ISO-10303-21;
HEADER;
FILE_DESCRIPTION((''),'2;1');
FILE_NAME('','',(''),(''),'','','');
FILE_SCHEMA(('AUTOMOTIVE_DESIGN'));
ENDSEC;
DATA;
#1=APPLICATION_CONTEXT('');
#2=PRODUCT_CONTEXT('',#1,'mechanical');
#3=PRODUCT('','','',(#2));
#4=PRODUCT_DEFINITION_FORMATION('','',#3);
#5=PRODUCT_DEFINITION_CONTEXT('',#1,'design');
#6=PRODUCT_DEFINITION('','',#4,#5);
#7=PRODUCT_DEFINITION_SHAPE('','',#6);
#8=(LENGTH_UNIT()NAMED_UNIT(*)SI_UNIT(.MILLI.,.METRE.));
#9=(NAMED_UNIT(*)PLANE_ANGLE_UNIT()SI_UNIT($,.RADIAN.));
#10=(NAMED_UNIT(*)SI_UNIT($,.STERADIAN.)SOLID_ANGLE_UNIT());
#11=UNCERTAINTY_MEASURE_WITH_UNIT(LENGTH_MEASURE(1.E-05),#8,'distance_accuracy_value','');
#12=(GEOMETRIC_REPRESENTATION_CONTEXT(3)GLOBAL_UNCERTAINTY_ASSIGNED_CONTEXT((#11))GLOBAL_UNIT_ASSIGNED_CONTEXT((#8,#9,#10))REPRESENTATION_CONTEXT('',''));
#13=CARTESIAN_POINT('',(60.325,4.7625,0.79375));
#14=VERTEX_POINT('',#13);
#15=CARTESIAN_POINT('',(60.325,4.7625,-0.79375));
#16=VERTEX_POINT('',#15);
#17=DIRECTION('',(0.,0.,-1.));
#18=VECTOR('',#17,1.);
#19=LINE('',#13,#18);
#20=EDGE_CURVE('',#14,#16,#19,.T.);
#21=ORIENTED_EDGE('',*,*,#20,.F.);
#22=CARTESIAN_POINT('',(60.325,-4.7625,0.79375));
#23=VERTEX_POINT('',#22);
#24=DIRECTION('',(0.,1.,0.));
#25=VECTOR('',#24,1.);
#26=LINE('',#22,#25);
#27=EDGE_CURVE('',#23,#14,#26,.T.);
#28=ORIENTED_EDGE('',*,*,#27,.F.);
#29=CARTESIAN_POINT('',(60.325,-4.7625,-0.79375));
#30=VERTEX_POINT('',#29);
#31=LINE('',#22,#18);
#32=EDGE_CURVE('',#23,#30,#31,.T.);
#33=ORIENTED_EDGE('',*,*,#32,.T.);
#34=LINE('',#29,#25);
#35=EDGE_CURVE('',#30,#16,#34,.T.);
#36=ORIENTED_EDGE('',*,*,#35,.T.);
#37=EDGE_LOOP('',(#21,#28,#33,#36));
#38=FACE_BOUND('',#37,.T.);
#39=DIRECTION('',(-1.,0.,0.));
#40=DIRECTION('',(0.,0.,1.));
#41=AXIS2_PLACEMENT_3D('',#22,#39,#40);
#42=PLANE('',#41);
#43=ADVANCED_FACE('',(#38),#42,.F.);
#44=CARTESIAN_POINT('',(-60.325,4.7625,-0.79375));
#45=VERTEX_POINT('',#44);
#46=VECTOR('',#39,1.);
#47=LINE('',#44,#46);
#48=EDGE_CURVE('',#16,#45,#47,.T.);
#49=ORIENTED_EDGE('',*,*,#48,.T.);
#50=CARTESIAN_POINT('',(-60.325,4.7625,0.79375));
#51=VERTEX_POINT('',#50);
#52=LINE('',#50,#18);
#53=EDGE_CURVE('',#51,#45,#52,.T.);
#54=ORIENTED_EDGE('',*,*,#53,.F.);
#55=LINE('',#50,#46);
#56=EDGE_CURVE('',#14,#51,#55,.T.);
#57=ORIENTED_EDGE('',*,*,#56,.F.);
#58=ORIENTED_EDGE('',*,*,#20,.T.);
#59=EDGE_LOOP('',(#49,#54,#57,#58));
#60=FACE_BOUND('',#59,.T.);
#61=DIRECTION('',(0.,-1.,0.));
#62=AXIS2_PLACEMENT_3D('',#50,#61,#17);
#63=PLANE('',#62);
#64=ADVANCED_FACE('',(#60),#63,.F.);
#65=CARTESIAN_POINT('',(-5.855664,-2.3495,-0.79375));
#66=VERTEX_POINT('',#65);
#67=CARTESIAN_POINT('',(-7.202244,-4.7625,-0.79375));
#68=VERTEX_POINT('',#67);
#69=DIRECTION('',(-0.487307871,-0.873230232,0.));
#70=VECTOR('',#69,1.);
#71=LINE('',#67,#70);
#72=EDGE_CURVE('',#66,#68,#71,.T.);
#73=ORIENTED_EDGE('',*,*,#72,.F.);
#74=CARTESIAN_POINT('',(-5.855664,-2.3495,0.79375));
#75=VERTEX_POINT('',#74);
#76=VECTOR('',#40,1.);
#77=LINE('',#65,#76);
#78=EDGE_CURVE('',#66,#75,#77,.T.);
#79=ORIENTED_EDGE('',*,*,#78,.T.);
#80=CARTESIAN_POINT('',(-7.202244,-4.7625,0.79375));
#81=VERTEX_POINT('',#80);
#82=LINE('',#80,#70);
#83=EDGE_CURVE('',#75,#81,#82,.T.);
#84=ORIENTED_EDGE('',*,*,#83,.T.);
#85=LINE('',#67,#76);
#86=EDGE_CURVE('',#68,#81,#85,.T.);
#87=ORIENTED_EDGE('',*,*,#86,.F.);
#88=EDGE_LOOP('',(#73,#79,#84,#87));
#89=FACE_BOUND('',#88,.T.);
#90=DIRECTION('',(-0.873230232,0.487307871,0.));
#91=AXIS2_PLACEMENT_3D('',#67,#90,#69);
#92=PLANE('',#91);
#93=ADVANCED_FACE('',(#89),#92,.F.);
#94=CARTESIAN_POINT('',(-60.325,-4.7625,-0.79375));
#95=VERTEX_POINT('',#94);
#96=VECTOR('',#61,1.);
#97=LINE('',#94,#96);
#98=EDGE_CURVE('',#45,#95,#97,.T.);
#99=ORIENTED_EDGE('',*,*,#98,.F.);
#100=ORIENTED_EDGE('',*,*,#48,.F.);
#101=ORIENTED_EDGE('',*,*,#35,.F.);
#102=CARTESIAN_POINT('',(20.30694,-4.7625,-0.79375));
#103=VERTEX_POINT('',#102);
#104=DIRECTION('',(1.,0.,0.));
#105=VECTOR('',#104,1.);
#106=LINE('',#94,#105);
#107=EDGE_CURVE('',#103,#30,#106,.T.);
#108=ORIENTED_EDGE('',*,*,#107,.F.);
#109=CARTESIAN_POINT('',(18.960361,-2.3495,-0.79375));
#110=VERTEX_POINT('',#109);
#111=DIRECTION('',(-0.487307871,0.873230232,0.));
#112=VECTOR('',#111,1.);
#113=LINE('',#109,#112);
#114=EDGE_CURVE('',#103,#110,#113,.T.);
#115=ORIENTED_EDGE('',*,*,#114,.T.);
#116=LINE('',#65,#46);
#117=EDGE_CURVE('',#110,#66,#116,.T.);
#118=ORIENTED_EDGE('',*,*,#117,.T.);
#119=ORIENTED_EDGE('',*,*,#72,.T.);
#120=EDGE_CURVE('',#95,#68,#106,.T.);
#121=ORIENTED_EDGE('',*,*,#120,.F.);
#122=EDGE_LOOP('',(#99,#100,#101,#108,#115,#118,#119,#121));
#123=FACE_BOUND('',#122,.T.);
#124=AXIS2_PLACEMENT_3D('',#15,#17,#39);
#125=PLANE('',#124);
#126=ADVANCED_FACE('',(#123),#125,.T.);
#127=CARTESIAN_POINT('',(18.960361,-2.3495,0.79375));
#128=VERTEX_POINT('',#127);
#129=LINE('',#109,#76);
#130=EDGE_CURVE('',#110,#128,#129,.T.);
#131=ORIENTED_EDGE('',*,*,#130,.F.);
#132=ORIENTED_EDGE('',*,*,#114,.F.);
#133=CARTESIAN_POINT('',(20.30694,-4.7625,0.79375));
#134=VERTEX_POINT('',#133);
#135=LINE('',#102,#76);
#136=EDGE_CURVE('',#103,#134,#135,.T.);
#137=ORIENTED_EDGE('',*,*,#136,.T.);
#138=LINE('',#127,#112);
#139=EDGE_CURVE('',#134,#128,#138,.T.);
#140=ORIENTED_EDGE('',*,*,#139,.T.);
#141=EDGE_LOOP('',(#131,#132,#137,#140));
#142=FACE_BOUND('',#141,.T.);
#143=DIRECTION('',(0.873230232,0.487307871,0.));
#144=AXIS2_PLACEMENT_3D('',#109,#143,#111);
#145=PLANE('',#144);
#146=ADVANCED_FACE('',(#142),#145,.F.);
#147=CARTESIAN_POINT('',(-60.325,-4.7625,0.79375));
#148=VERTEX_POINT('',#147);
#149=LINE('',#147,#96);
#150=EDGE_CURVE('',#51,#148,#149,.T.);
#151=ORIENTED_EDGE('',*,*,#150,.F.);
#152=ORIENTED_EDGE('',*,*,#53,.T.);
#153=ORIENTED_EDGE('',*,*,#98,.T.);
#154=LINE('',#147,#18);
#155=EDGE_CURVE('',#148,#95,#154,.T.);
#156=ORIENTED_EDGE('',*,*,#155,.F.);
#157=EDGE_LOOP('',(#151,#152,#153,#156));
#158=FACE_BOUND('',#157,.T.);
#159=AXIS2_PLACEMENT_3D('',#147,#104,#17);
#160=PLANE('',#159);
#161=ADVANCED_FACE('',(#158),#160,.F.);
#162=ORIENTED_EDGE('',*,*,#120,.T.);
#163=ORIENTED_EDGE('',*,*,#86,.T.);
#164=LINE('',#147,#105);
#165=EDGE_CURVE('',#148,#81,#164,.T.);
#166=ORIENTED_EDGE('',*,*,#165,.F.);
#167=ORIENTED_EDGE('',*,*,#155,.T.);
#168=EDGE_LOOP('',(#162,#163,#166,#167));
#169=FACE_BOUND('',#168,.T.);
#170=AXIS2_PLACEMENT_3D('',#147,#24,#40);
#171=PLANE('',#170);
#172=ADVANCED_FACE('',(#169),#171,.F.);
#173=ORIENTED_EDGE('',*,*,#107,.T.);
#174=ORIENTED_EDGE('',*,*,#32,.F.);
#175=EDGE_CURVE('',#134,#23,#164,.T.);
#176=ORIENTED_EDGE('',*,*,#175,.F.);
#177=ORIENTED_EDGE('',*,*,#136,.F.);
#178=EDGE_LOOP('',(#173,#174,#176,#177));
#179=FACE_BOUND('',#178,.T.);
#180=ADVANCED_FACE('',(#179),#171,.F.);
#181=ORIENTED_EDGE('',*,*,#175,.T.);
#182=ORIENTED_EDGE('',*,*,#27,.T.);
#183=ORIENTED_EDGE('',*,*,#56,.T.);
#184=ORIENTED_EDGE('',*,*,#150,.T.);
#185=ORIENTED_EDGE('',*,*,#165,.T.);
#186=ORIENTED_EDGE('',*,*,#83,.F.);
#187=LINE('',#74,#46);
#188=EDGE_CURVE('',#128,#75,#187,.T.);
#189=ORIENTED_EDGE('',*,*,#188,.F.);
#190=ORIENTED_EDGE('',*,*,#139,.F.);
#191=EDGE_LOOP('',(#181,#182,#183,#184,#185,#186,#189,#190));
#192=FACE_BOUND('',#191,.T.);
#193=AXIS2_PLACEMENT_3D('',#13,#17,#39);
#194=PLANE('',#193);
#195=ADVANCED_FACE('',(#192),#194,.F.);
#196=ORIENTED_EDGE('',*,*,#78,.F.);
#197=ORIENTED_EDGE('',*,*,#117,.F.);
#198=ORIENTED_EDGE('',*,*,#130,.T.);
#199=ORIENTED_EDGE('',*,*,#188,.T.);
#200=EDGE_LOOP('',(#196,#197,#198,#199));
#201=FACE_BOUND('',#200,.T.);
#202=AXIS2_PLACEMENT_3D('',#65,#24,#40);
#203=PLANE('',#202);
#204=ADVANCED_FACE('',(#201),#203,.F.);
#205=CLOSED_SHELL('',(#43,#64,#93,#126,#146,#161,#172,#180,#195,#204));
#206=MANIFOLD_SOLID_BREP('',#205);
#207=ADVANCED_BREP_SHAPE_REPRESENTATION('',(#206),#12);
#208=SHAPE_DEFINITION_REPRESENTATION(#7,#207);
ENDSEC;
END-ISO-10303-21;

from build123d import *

# Parameters (mm, degrees)
SKETCH1_W           = 120.65
SKETCH1_H           = 9.525
BOSS_EXTRUDE1_DEPTH = 0.79375
CUT_EXTRUDE1_DEPTH  = 2.5875


with BuildPart() as part:
    # Sketch1 → Boss-Extrude1 (new body, symmetric)
    with BuildSketch(Plane.XY):
        Rectangle(SKETCH1_W, SKETCH1_H)
    extrude(amount=BOSS_EXTRUDE1_DEPTH, both=True)

    # Sketch2 → Cut-Extrude1 (cut, through all)
    with BuildSketch(Plane.XY.offset(0.79375)):
        Polygon((-7.202243564, -4.7625), (-5.855664106, -2.3495), (18.960360816, -2.3495), (20.306940273, -4.7625), align=None)
    extrude(amount=-CUT_EXTRUDE1_DEPTH, mode=Mode.SUBTRACT)


solid = part.part
